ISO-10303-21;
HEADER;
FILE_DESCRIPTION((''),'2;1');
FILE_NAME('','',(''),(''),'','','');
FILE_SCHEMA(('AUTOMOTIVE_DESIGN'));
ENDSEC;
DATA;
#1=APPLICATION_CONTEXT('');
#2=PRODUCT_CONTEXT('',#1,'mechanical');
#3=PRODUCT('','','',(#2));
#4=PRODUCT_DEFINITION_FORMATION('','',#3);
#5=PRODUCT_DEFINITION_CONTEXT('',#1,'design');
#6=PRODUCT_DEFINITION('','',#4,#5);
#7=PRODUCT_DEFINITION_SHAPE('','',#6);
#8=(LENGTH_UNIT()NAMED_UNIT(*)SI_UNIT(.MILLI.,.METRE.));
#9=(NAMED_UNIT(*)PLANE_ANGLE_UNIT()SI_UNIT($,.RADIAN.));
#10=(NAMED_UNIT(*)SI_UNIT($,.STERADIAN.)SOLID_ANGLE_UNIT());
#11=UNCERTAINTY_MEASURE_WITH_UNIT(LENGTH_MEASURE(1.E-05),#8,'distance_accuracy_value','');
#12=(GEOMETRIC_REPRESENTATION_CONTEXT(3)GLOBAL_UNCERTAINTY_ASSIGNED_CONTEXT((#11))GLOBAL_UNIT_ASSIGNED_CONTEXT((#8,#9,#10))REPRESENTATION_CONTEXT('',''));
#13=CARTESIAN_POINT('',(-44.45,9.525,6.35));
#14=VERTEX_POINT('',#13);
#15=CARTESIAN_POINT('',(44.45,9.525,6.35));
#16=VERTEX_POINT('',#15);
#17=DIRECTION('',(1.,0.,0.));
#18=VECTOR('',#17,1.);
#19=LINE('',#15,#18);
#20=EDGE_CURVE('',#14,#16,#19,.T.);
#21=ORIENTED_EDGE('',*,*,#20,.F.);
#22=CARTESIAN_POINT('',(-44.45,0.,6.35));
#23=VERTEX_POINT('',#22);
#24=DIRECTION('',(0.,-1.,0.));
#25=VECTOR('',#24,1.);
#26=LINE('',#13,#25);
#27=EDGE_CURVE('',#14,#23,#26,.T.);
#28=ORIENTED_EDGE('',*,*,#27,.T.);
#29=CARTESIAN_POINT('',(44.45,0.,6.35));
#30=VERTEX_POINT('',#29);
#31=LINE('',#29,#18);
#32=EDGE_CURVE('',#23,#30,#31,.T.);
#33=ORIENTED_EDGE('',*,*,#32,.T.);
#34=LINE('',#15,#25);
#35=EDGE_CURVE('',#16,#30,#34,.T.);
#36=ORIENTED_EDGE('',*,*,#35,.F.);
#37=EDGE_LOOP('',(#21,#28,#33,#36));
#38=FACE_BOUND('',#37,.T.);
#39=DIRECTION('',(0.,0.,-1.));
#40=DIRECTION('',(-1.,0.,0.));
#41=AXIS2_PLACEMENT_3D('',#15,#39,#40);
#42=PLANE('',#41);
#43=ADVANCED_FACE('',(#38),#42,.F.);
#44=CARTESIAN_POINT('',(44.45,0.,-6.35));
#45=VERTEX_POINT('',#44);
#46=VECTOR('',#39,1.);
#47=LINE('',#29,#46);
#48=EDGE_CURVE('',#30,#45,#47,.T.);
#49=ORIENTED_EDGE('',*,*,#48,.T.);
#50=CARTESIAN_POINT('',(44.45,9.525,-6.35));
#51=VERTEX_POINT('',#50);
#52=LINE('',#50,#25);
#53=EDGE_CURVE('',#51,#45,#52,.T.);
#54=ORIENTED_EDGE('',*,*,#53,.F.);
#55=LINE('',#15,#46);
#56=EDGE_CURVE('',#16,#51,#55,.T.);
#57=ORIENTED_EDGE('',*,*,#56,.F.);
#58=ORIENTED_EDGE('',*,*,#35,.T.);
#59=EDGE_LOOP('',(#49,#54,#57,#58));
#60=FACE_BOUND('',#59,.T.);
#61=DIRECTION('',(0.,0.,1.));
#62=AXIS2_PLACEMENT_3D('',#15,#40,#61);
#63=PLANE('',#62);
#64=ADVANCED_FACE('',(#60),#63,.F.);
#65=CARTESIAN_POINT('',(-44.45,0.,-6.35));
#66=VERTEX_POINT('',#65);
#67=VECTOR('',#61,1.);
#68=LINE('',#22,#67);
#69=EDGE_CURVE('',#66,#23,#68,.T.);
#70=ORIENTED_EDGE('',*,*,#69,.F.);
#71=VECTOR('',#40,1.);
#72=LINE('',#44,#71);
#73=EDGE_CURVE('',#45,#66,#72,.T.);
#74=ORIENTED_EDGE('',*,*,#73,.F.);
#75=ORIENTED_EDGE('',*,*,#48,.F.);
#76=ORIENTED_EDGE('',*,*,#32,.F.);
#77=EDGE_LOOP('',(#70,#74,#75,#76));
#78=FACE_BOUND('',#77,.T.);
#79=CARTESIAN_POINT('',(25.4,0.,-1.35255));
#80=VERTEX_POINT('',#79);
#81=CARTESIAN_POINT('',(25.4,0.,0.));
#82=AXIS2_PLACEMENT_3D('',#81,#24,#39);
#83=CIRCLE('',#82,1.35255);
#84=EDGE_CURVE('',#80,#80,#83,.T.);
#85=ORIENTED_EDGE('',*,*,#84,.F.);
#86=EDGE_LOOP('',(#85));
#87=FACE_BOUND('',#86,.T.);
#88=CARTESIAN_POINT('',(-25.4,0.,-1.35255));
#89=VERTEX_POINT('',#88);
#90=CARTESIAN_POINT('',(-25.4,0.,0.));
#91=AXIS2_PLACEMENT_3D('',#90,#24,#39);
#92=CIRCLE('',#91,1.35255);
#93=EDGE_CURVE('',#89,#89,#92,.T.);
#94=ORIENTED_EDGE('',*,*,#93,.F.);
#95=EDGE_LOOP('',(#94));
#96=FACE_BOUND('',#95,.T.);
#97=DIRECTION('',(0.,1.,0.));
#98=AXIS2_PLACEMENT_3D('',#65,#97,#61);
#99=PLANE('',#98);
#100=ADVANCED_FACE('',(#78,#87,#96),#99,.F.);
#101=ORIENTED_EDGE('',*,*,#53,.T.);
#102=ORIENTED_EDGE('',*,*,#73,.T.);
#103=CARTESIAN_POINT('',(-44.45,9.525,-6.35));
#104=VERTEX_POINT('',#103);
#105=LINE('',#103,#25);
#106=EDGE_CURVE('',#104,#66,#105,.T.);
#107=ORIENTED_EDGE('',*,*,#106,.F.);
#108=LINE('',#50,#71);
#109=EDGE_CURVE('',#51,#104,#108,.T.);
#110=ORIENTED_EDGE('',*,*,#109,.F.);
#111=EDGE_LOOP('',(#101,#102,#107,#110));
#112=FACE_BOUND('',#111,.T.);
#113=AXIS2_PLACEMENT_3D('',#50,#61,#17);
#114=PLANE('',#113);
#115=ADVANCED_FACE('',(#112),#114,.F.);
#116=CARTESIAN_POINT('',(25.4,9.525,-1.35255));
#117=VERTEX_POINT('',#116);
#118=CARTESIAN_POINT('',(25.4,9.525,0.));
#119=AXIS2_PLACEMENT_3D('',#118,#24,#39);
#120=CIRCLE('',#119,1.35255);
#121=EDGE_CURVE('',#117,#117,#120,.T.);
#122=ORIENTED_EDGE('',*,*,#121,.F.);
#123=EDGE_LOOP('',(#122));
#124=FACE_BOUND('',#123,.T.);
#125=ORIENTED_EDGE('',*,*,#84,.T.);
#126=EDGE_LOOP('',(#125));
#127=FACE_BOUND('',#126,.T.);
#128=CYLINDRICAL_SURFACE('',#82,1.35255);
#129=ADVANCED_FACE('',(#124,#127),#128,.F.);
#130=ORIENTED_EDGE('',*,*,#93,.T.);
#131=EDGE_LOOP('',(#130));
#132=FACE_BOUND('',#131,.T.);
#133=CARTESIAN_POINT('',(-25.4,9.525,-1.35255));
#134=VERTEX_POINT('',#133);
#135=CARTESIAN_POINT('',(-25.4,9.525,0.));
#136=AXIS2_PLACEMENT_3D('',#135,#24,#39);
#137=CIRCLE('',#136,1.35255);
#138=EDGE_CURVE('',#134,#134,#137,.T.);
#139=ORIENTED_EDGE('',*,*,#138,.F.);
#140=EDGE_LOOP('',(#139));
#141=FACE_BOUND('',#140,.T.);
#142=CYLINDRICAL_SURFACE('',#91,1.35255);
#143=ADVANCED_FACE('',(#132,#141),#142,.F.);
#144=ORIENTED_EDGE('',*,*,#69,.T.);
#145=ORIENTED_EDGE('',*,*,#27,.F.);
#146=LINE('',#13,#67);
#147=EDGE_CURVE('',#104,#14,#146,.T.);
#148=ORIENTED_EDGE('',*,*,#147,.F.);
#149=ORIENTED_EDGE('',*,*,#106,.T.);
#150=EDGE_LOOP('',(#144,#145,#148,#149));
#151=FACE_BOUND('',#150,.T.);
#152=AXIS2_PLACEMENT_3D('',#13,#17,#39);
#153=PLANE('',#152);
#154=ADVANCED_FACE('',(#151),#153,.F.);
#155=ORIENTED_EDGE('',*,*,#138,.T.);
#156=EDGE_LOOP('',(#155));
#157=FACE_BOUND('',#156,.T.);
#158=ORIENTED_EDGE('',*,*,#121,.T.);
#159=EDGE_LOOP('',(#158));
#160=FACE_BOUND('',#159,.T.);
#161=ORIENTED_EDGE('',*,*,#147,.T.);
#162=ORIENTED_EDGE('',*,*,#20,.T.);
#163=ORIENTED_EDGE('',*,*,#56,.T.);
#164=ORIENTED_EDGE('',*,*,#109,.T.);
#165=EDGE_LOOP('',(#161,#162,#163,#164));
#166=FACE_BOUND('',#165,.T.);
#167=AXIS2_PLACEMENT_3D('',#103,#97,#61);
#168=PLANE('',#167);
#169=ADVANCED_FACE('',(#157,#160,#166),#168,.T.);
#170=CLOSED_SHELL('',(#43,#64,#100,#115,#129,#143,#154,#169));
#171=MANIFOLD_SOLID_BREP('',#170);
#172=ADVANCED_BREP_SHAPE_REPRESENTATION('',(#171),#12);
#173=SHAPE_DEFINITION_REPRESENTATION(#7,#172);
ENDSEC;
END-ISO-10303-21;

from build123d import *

# Parameters (mm, degrees)
SKETCH1_W             = 88.9
SKETCH1_H             = 12.7
BOSS_EXTRUDE1_DEPTH   = 9.525
F_6_32_TAPPED_HOLE1_D = 2.7051


with BuildPart() as part:
    # Sketch1 → Boss-Extrude1 (new body)
    with BuildSketch(Plane(origin=(0, 0, 0), x_dir=(1, 0, 0), z_dir=(0, 1, 0))):
        Rectangle(SKETCH1_W, SKETCH1_H)
    extrude(amount=BOSS_EXTRUDE1_DEPTH)

    # #6-32 Tapped Hole1 (through all)
    with Locations(Plane.XZ):
        with Locations((25.4, 0), (-25.4, 0)):
            Hole(F_6_32_TAPPED_HOLE1_D / 2)


solid = part.part
